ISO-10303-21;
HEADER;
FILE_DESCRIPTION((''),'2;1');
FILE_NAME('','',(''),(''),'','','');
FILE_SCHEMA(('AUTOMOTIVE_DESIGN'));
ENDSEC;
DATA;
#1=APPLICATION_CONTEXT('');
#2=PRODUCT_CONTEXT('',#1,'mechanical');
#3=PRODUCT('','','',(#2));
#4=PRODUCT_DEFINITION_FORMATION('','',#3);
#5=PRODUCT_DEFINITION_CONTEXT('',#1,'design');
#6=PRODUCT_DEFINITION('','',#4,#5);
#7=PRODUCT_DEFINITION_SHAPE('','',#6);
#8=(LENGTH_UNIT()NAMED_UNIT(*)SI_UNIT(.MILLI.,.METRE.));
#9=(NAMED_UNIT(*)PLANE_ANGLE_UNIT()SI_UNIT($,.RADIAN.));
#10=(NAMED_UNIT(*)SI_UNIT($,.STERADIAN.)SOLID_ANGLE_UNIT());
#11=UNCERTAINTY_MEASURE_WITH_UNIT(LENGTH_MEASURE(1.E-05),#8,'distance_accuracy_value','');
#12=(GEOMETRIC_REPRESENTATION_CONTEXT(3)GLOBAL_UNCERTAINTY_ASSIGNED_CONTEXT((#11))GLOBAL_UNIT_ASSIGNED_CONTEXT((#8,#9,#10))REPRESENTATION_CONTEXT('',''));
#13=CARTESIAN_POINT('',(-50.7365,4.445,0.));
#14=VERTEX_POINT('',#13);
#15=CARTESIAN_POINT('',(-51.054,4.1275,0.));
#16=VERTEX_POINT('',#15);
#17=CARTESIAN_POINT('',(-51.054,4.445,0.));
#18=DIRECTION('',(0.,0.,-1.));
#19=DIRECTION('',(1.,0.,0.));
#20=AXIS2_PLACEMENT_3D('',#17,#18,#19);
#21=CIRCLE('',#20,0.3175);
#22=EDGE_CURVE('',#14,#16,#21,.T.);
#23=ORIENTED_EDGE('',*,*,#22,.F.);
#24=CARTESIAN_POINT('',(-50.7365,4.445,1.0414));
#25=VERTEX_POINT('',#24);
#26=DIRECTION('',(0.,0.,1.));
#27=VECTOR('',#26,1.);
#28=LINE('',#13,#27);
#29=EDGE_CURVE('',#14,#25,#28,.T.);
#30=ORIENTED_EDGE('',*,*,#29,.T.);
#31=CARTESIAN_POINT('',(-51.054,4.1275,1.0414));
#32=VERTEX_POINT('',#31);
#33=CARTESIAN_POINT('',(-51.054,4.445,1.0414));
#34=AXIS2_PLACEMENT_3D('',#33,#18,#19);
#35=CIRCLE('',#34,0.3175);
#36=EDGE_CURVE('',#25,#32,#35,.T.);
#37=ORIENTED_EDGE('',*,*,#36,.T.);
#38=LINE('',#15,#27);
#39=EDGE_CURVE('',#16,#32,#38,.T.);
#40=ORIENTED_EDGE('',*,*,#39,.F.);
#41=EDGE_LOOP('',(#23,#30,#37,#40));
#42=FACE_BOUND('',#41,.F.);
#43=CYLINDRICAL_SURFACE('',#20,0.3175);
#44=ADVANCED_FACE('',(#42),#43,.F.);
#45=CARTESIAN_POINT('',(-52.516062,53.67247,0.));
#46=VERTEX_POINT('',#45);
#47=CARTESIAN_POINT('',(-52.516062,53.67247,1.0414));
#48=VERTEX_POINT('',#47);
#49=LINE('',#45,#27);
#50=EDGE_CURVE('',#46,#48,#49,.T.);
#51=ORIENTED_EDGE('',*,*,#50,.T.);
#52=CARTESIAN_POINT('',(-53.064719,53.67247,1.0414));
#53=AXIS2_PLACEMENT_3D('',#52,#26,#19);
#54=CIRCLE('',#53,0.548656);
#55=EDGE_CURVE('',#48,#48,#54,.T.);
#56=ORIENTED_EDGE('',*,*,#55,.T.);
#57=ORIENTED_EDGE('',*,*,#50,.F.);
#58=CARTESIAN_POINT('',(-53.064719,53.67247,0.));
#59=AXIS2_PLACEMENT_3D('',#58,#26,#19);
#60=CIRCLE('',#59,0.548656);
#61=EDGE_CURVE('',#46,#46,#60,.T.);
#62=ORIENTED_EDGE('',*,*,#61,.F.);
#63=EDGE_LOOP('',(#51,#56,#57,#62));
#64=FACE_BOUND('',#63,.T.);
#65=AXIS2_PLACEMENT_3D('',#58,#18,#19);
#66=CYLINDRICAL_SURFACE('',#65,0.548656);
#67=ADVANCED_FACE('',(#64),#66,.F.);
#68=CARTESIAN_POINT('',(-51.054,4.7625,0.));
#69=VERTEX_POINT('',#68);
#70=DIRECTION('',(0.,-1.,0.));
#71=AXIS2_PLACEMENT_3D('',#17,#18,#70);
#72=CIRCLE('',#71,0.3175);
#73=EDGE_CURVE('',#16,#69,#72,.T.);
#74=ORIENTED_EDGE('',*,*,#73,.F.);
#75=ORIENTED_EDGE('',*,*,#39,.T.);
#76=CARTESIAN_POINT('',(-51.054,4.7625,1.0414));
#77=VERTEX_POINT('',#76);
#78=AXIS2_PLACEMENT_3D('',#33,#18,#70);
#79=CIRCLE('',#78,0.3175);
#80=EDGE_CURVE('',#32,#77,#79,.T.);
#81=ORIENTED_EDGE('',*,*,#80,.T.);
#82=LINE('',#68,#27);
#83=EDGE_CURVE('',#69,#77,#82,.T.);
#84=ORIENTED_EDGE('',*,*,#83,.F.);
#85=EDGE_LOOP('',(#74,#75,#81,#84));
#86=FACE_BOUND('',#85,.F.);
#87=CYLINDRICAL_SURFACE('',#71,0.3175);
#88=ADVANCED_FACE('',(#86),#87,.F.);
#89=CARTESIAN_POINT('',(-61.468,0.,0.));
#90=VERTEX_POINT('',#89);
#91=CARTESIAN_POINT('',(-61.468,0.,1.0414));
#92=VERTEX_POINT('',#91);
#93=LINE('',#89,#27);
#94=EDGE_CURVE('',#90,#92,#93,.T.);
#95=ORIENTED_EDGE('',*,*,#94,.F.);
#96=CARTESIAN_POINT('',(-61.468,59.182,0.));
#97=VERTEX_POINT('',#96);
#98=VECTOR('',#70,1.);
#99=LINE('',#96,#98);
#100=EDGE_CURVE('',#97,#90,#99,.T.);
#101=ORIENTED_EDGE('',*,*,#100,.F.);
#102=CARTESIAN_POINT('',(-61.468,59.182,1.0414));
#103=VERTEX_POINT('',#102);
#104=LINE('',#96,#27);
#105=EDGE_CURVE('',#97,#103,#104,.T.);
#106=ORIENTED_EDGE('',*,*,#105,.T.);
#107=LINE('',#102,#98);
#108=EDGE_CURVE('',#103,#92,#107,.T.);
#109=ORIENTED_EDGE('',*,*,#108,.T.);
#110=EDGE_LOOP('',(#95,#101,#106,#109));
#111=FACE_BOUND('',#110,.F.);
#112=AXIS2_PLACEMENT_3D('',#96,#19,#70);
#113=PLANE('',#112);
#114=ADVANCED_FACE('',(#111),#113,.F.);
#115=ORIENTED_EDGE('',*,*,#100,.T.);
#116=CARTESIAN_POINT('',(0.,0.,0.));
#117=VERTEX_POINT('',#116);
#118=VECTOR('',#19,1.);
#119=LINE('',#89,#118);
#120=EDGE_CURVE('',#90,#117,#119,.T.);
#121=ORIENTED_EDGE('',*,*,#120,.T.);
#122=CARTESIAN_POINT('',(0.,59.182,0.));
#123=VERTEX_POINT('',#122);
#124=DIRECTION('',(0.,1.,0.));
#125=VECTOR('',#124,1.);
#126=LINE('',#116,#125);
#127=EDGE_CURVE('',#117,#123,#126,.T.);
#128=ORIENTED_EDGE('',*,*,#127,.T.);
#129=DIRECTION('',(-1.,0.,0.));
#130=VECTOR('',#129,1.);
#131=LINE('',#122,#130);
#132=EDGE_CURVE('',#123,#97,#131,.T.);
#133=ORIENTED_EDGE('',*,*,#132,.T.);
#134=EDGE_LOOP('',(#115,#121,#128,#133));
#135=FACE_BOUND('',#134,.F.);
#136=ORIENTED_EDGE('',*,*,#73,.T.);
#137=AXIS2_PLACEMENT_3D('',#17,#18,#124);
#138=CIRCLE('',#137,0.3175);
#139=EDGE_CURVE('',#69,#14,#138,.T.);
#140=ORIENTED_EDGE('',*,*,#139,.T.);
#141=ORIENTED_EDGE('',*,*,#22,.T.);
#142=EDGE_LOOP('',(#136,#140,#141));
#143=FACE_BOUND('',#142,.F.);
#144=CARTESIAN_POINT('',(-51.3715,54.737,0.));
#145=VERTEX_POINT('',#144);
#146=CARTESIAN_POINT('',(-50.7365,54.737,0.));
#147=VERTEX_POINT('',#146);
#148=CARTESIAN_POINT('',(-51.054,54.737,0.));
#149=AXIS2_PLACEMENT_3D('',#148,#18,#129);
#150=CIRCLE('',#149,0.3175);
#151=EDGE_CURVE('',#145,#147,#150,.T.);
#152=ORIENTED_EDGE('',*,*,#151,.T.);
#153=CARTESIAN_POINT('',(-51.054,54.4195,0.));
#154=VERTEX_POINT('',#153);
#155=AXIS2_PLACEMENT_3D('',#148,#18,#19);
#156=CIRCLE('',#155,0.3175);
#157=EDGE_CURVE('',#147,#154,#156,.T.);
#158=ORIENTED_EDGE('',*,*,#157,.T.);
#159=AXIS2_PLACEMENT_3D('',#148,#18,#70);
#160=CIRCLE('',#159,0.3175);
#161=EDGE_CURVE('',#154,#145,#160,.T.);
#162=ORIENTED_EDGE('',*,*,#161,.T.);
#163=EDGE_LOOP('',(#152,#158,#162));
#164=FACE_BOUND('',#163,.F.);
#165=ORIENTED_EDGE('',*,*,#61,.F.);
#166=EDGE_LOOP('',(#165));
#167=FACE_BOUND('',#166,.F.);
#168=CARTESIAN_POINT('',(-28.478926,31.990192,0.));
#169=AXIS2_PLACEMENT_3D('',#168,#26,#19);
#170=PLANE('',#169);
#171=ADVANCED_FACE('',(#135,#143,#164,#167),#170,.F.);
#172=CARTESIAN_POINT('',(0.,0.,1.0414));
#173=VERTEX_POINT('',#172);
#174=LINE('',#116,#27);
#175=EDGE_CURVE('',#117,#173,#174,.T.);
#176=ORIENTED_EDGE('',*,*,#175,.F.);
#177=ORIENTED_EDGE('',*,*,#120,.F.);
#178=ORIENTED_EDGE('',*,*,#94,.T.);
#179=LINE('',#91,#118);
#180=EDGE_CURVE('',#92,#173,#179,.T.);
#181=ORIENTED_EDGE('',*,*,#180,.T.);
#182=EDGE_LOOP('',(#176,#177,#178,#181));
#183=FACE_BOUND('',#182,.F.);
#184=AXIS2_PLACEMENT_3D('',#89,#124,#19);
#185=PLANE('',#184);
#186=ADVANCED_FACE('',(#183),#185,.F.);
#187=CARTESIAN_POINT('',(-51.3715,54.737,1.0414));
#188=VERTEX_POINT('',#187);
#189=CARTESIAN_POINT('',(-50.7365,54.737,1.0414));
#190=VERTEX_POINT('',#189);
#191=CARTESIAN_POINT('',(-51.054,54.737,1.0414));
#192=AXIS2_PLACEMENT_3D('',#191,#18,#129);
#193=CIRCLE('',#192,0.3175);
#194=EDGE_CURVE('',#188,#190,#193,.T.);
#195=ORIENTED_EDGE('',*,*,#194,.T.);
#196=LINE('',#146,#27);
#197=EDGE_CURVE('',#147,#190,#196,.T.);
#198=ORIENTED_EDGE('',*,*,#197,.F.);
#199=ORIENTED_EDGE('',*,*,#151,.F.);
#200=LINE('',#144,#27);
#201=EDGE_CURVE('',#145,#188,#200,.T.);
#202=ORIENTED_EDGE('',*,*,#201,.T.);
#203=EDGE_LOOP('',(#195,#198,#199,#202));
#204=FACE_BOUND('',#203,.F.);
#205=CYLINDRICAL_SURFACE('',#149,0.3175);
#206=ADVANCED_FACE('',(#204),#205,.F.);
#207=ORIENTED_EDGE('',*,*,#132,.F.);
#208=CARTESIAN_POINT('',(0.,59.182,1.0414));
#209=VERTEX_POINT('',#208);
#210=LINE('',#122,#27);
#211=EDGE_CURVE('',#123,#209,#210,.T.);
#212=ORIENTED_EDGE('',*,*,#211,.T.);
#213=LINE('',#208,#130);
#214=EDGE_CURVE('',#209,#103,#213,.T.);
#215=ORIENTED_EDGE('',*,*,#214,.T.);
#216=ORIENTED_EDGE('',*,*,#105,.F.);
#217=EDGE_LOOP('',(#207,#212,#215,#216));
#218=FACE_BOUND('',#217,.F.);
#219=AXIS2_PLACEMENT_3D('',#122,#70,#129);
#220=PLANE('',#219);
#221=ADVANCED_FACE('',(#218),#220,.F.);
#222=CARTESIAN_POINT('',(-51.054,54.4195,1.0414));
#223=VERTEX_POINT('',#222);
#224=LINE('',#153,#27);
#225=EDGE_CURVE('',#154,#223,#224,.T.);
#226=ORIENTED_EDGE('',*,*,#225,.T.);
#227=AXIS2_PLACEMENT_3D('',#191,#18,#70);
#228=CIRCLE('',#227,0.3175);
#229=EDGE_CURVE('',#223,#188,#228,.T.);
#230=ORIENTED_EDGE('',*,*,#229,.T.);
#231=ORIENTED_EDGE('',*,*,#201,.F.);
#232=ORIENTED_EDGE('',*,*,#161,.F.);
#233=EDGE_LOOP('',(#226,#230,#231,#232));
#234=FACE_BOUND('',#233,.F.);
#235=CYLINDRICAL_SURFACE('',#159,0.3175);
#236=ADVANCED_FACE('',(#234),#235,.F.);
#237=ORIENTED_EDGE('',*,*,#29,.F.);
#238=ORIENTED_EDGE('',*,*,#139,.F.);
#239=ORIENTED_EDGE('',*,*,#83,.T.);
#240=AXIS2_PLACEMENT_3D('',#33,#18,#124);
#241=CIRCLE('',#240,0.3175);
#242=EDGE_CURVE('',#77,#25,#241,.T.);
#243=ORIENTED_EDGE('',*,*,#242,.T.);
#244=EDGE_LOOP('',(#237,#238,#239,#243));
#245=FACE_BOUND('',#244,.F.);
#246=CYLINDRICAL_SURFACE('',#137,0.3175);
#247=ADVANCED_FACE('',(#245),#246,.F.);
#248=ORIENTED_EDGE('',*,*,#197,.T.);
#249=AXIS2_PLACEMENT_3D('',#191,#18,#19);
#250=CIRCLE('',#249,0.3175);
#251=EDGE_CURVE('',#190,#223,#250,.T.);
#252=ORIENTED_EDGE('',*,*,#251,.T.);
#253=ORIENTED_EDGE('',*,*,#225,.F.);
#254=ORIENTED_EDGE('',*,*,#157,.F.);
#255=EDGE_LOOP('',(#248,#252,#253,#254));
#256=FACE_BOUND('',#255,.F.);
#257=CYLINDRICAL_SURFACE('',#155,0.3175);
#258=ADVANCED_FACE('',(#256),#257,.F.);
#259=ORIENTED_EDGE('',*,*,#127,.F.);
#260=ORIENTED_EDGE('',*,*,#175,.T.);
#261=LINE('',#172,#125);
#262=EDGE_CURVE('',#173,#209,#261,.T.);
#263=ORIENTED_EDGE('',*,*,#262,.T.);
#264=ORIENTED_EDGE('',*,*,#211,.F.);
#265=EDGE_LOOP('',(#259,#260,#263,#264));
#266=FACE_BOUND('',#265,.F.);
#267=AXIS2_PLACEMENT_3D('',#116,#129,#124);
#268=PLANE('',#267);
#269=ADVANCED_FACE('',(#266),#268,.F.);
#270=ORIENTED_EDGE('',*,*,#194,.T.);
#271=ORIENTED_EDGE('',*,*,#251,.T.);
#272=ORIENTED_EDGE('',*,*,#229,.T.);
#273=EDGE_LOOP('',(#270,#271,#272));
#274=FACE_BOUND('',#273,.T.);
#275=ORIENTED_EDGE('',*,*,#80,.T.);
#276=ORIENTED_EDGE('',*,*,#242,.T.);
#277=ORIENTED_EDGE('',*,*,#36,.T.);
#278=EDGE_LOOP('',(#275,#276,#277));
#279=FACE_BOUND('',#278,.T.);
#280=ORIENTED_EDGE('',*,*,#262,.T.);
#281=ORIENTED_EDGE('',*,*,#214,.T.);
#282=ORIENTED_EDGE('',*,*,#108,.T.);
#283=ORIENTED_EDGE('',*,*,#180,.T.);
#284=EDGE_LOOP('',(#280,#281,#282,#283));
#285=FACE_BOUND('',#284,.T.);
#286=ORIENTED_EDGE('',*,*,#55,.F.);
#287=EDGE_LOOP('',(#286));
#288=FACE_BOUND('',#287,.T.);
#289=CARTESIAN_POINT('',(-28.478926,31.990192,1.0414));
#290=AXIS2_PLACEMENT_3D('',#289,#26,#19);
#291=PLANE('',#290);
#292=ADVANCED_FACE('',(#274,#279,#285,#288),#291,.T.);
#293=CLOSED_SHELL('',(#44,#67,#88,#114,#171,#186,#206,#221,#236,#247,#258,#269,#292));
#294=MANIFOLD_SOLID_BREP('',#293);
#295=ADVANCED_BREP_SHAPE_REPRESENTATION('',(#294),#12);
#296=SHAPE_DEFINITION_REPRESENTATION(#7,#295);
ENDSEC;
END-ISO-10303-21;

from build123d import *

# Parameters (mm, degrees)
F0_R     = 0.5486564272
F1_DEPTH = 1.0414


with BuildPart() as f1:
    # F0 (on Top) → F1 (new body)
    with BuildSketch(Plane.XY):
        with BuildLine():
            Line((-51.054, 0), (0, 0))
            Line((0, 0), (0, 59.182))
            Line((0, 59.182), (-61.468, 59.182))
            Line((-61.468, 59.182), (-61.468, 54.737))
            Line((-61.468, 54.737), (-51.3715, 54.737))
            ThreePointArc((-51.3715, 54.737), (-51.054, 55.0545), (-50.7365, 54.737))
            ThreePointArc((-50.7365, 54.737), (-50.829493597, 54.512493597), (-51.054, 54.4195))
            Line((-51.054, 54.4195), (-51.054, 4.7625))
            ThreePointArc((-51.054, 4.7625), (-50.829493597, 4.669506403), (-50.7365, 4.445))
            ThreePointArc((-50.7365, 4.445), (-50.829493597, 4.220493597), (-51.054, 4.1275))
            Line((-51.054, 4.1275), (-51.054, 0))
        make_face()
        with BuildLine():
            Line((-61.468, 0), (-51.054, 0))
            Line((-51.054, 0), (-51.054, 4.1275))
            ThreePointArc((-51.054, 4.1275), (-51.3715, 4.445), (-51.054, 4.7625))
            Line((-51.054, 4.7625), (-51.054, 54.4195))
            ThreePointArc((-51.054, 54.4195), (-51.278506403, 54.512493597), (-51.3715, 54.737))
            Line((-51.3715, 54.737), (-61.468, 54.737))
            Line((-61.468, 54.737), (-61.468, 0))
        make_face()
        with Locations((-53.0647188425, 53.6724701524)):
            Circle(F0_R, mode=Mode.SUBTRACT)
    extrude(amount=F1_DEPTH)


solid = f1.part
